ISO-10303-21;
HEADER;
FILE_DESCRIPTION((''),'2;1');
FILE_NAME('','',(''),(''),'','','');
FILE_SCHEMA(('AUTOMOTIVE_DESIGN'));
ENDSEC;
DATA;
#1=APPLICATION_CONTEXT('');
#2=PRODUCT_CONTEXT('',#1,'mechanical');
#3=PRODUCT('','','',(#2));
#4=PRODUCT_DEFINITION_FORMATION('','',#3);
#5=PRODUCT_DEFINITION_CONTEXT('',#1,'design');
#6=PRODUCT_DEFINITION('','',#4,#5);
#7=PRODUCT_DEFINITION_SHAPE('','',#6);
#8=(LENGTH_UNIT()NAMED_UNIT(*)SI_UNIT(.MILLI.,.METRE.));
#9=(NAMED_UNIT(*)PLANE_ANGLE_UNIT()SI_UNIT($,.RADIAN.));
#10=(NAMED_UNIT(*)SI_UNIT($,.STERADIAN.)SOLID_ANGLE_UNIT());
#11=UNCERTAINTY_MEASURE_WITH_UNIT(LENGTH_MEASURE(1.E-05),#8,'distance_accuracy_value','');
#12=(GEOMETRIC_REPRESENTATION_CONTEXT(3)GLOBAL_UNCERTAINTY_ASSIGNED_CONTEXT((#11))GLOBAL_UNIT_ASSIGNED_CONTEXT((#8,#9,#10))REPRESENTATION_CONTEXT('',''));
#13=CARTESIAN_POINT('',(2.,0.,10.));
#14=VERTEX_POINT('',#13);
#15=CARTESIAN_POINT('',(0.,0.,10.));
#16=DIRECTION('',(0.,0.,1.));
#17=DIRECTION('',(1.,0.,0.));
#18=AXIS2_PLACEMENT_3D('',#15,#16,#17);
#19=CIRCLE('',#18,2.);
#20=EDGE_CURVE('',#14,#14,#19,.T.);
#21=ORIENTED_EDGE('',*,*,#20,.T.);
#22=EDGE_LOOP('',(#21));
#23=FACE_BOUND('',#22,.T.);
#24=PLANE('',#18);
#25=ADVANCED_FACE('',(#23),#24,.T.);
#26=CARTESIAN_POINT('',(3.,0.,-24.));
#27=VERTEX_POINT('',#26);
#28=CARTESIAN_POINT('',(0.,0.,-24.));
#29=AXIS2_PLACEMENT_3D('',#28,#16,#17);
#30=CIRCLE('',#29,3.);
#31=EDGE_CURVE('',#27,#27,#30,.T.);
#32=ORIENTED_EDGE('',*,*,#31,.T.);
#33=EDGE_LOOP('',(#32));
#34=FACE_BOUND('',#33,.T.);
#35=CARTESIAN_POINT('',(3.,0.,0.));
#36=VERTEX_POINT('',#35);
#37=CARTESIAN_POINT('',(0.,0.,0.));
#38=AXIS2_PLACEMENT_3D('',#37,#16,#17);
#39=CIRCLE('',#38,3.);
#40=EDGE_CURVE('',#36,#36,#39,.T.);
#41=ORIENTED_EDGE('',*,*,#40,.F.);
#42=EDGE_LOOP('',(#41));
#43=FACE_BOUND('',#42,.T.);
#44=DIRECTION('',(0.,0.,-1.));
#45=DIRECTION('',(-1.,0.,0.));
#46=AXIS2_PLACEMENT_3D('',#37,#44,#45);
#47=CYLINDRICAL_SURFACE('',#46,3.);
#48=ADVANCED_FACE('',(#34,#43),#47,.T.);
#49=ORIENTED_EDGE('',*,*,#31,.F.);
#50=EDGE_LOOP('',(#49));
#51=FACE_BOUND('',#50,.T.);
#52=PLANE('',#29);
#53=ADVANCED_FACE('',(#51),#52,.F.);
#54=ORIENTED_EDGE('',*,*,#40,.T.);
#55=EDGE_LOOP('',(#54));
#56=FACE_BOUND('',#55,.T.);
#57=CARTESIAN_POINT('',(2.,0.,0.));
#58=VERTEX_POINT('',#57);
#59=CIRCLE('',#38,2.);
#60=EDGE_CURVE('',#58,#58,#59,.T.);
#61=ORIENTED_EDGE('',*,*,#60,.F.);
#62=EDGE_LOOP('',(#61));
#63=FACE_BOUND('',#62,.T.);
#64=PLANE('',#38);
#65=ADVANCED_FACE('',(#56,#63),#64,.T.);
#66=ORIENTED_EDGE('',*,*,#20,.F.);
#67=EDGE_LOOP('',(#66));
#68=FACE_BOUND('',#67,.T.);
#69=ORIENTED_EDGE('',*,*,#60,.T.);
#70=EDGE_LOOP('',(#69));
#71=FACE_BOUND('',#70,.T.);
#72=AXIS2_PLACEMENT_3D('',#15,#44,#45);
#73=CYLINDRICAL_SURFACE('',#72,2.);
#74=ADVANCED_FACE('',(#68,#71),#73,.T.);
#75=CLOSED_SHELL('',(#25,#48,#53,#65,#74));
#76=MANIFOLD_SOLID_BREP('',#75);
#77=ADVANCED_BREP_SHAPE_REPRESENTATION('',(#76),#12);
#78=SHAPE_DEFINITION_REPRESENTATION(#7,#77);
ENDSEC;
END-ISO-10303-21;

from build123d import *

# Parameters (mm, degrees)
SMOOTH_STOP_SHANK_D6_L24_START   = -24
SKETCH1_R                        = 3
SMOOTH_STOP_SHANK_D6_L24_DEPTH   = 24
SKETCH2_R                        = 2
M4X0P7_THREAD_ENVELOPE_L10_DEPTH = 10


with BuildPart() as part:
    # Sketch1 → Smooth_Stop_Shank_D6_L24 (new body)
    with BuildSketch(Plane.XY.offset(SMOOTH_STOP_SHANK_D6_L24_START)):
        Circle(SKETCH1_R)
    extrude(amount=SMOOTH_STOP_SHANK_D6_L24_DEPTH)

    # Sketch2 → M4x0p7_Thread_Envelope_L10 (add)
    with BuildSketch(Plane.XY):
        Circle(SKETCH2_R)
    extrude(amount=M4X0P7_THREAD_ENVELOPE_L10_DEPTH)


solid = part.part
